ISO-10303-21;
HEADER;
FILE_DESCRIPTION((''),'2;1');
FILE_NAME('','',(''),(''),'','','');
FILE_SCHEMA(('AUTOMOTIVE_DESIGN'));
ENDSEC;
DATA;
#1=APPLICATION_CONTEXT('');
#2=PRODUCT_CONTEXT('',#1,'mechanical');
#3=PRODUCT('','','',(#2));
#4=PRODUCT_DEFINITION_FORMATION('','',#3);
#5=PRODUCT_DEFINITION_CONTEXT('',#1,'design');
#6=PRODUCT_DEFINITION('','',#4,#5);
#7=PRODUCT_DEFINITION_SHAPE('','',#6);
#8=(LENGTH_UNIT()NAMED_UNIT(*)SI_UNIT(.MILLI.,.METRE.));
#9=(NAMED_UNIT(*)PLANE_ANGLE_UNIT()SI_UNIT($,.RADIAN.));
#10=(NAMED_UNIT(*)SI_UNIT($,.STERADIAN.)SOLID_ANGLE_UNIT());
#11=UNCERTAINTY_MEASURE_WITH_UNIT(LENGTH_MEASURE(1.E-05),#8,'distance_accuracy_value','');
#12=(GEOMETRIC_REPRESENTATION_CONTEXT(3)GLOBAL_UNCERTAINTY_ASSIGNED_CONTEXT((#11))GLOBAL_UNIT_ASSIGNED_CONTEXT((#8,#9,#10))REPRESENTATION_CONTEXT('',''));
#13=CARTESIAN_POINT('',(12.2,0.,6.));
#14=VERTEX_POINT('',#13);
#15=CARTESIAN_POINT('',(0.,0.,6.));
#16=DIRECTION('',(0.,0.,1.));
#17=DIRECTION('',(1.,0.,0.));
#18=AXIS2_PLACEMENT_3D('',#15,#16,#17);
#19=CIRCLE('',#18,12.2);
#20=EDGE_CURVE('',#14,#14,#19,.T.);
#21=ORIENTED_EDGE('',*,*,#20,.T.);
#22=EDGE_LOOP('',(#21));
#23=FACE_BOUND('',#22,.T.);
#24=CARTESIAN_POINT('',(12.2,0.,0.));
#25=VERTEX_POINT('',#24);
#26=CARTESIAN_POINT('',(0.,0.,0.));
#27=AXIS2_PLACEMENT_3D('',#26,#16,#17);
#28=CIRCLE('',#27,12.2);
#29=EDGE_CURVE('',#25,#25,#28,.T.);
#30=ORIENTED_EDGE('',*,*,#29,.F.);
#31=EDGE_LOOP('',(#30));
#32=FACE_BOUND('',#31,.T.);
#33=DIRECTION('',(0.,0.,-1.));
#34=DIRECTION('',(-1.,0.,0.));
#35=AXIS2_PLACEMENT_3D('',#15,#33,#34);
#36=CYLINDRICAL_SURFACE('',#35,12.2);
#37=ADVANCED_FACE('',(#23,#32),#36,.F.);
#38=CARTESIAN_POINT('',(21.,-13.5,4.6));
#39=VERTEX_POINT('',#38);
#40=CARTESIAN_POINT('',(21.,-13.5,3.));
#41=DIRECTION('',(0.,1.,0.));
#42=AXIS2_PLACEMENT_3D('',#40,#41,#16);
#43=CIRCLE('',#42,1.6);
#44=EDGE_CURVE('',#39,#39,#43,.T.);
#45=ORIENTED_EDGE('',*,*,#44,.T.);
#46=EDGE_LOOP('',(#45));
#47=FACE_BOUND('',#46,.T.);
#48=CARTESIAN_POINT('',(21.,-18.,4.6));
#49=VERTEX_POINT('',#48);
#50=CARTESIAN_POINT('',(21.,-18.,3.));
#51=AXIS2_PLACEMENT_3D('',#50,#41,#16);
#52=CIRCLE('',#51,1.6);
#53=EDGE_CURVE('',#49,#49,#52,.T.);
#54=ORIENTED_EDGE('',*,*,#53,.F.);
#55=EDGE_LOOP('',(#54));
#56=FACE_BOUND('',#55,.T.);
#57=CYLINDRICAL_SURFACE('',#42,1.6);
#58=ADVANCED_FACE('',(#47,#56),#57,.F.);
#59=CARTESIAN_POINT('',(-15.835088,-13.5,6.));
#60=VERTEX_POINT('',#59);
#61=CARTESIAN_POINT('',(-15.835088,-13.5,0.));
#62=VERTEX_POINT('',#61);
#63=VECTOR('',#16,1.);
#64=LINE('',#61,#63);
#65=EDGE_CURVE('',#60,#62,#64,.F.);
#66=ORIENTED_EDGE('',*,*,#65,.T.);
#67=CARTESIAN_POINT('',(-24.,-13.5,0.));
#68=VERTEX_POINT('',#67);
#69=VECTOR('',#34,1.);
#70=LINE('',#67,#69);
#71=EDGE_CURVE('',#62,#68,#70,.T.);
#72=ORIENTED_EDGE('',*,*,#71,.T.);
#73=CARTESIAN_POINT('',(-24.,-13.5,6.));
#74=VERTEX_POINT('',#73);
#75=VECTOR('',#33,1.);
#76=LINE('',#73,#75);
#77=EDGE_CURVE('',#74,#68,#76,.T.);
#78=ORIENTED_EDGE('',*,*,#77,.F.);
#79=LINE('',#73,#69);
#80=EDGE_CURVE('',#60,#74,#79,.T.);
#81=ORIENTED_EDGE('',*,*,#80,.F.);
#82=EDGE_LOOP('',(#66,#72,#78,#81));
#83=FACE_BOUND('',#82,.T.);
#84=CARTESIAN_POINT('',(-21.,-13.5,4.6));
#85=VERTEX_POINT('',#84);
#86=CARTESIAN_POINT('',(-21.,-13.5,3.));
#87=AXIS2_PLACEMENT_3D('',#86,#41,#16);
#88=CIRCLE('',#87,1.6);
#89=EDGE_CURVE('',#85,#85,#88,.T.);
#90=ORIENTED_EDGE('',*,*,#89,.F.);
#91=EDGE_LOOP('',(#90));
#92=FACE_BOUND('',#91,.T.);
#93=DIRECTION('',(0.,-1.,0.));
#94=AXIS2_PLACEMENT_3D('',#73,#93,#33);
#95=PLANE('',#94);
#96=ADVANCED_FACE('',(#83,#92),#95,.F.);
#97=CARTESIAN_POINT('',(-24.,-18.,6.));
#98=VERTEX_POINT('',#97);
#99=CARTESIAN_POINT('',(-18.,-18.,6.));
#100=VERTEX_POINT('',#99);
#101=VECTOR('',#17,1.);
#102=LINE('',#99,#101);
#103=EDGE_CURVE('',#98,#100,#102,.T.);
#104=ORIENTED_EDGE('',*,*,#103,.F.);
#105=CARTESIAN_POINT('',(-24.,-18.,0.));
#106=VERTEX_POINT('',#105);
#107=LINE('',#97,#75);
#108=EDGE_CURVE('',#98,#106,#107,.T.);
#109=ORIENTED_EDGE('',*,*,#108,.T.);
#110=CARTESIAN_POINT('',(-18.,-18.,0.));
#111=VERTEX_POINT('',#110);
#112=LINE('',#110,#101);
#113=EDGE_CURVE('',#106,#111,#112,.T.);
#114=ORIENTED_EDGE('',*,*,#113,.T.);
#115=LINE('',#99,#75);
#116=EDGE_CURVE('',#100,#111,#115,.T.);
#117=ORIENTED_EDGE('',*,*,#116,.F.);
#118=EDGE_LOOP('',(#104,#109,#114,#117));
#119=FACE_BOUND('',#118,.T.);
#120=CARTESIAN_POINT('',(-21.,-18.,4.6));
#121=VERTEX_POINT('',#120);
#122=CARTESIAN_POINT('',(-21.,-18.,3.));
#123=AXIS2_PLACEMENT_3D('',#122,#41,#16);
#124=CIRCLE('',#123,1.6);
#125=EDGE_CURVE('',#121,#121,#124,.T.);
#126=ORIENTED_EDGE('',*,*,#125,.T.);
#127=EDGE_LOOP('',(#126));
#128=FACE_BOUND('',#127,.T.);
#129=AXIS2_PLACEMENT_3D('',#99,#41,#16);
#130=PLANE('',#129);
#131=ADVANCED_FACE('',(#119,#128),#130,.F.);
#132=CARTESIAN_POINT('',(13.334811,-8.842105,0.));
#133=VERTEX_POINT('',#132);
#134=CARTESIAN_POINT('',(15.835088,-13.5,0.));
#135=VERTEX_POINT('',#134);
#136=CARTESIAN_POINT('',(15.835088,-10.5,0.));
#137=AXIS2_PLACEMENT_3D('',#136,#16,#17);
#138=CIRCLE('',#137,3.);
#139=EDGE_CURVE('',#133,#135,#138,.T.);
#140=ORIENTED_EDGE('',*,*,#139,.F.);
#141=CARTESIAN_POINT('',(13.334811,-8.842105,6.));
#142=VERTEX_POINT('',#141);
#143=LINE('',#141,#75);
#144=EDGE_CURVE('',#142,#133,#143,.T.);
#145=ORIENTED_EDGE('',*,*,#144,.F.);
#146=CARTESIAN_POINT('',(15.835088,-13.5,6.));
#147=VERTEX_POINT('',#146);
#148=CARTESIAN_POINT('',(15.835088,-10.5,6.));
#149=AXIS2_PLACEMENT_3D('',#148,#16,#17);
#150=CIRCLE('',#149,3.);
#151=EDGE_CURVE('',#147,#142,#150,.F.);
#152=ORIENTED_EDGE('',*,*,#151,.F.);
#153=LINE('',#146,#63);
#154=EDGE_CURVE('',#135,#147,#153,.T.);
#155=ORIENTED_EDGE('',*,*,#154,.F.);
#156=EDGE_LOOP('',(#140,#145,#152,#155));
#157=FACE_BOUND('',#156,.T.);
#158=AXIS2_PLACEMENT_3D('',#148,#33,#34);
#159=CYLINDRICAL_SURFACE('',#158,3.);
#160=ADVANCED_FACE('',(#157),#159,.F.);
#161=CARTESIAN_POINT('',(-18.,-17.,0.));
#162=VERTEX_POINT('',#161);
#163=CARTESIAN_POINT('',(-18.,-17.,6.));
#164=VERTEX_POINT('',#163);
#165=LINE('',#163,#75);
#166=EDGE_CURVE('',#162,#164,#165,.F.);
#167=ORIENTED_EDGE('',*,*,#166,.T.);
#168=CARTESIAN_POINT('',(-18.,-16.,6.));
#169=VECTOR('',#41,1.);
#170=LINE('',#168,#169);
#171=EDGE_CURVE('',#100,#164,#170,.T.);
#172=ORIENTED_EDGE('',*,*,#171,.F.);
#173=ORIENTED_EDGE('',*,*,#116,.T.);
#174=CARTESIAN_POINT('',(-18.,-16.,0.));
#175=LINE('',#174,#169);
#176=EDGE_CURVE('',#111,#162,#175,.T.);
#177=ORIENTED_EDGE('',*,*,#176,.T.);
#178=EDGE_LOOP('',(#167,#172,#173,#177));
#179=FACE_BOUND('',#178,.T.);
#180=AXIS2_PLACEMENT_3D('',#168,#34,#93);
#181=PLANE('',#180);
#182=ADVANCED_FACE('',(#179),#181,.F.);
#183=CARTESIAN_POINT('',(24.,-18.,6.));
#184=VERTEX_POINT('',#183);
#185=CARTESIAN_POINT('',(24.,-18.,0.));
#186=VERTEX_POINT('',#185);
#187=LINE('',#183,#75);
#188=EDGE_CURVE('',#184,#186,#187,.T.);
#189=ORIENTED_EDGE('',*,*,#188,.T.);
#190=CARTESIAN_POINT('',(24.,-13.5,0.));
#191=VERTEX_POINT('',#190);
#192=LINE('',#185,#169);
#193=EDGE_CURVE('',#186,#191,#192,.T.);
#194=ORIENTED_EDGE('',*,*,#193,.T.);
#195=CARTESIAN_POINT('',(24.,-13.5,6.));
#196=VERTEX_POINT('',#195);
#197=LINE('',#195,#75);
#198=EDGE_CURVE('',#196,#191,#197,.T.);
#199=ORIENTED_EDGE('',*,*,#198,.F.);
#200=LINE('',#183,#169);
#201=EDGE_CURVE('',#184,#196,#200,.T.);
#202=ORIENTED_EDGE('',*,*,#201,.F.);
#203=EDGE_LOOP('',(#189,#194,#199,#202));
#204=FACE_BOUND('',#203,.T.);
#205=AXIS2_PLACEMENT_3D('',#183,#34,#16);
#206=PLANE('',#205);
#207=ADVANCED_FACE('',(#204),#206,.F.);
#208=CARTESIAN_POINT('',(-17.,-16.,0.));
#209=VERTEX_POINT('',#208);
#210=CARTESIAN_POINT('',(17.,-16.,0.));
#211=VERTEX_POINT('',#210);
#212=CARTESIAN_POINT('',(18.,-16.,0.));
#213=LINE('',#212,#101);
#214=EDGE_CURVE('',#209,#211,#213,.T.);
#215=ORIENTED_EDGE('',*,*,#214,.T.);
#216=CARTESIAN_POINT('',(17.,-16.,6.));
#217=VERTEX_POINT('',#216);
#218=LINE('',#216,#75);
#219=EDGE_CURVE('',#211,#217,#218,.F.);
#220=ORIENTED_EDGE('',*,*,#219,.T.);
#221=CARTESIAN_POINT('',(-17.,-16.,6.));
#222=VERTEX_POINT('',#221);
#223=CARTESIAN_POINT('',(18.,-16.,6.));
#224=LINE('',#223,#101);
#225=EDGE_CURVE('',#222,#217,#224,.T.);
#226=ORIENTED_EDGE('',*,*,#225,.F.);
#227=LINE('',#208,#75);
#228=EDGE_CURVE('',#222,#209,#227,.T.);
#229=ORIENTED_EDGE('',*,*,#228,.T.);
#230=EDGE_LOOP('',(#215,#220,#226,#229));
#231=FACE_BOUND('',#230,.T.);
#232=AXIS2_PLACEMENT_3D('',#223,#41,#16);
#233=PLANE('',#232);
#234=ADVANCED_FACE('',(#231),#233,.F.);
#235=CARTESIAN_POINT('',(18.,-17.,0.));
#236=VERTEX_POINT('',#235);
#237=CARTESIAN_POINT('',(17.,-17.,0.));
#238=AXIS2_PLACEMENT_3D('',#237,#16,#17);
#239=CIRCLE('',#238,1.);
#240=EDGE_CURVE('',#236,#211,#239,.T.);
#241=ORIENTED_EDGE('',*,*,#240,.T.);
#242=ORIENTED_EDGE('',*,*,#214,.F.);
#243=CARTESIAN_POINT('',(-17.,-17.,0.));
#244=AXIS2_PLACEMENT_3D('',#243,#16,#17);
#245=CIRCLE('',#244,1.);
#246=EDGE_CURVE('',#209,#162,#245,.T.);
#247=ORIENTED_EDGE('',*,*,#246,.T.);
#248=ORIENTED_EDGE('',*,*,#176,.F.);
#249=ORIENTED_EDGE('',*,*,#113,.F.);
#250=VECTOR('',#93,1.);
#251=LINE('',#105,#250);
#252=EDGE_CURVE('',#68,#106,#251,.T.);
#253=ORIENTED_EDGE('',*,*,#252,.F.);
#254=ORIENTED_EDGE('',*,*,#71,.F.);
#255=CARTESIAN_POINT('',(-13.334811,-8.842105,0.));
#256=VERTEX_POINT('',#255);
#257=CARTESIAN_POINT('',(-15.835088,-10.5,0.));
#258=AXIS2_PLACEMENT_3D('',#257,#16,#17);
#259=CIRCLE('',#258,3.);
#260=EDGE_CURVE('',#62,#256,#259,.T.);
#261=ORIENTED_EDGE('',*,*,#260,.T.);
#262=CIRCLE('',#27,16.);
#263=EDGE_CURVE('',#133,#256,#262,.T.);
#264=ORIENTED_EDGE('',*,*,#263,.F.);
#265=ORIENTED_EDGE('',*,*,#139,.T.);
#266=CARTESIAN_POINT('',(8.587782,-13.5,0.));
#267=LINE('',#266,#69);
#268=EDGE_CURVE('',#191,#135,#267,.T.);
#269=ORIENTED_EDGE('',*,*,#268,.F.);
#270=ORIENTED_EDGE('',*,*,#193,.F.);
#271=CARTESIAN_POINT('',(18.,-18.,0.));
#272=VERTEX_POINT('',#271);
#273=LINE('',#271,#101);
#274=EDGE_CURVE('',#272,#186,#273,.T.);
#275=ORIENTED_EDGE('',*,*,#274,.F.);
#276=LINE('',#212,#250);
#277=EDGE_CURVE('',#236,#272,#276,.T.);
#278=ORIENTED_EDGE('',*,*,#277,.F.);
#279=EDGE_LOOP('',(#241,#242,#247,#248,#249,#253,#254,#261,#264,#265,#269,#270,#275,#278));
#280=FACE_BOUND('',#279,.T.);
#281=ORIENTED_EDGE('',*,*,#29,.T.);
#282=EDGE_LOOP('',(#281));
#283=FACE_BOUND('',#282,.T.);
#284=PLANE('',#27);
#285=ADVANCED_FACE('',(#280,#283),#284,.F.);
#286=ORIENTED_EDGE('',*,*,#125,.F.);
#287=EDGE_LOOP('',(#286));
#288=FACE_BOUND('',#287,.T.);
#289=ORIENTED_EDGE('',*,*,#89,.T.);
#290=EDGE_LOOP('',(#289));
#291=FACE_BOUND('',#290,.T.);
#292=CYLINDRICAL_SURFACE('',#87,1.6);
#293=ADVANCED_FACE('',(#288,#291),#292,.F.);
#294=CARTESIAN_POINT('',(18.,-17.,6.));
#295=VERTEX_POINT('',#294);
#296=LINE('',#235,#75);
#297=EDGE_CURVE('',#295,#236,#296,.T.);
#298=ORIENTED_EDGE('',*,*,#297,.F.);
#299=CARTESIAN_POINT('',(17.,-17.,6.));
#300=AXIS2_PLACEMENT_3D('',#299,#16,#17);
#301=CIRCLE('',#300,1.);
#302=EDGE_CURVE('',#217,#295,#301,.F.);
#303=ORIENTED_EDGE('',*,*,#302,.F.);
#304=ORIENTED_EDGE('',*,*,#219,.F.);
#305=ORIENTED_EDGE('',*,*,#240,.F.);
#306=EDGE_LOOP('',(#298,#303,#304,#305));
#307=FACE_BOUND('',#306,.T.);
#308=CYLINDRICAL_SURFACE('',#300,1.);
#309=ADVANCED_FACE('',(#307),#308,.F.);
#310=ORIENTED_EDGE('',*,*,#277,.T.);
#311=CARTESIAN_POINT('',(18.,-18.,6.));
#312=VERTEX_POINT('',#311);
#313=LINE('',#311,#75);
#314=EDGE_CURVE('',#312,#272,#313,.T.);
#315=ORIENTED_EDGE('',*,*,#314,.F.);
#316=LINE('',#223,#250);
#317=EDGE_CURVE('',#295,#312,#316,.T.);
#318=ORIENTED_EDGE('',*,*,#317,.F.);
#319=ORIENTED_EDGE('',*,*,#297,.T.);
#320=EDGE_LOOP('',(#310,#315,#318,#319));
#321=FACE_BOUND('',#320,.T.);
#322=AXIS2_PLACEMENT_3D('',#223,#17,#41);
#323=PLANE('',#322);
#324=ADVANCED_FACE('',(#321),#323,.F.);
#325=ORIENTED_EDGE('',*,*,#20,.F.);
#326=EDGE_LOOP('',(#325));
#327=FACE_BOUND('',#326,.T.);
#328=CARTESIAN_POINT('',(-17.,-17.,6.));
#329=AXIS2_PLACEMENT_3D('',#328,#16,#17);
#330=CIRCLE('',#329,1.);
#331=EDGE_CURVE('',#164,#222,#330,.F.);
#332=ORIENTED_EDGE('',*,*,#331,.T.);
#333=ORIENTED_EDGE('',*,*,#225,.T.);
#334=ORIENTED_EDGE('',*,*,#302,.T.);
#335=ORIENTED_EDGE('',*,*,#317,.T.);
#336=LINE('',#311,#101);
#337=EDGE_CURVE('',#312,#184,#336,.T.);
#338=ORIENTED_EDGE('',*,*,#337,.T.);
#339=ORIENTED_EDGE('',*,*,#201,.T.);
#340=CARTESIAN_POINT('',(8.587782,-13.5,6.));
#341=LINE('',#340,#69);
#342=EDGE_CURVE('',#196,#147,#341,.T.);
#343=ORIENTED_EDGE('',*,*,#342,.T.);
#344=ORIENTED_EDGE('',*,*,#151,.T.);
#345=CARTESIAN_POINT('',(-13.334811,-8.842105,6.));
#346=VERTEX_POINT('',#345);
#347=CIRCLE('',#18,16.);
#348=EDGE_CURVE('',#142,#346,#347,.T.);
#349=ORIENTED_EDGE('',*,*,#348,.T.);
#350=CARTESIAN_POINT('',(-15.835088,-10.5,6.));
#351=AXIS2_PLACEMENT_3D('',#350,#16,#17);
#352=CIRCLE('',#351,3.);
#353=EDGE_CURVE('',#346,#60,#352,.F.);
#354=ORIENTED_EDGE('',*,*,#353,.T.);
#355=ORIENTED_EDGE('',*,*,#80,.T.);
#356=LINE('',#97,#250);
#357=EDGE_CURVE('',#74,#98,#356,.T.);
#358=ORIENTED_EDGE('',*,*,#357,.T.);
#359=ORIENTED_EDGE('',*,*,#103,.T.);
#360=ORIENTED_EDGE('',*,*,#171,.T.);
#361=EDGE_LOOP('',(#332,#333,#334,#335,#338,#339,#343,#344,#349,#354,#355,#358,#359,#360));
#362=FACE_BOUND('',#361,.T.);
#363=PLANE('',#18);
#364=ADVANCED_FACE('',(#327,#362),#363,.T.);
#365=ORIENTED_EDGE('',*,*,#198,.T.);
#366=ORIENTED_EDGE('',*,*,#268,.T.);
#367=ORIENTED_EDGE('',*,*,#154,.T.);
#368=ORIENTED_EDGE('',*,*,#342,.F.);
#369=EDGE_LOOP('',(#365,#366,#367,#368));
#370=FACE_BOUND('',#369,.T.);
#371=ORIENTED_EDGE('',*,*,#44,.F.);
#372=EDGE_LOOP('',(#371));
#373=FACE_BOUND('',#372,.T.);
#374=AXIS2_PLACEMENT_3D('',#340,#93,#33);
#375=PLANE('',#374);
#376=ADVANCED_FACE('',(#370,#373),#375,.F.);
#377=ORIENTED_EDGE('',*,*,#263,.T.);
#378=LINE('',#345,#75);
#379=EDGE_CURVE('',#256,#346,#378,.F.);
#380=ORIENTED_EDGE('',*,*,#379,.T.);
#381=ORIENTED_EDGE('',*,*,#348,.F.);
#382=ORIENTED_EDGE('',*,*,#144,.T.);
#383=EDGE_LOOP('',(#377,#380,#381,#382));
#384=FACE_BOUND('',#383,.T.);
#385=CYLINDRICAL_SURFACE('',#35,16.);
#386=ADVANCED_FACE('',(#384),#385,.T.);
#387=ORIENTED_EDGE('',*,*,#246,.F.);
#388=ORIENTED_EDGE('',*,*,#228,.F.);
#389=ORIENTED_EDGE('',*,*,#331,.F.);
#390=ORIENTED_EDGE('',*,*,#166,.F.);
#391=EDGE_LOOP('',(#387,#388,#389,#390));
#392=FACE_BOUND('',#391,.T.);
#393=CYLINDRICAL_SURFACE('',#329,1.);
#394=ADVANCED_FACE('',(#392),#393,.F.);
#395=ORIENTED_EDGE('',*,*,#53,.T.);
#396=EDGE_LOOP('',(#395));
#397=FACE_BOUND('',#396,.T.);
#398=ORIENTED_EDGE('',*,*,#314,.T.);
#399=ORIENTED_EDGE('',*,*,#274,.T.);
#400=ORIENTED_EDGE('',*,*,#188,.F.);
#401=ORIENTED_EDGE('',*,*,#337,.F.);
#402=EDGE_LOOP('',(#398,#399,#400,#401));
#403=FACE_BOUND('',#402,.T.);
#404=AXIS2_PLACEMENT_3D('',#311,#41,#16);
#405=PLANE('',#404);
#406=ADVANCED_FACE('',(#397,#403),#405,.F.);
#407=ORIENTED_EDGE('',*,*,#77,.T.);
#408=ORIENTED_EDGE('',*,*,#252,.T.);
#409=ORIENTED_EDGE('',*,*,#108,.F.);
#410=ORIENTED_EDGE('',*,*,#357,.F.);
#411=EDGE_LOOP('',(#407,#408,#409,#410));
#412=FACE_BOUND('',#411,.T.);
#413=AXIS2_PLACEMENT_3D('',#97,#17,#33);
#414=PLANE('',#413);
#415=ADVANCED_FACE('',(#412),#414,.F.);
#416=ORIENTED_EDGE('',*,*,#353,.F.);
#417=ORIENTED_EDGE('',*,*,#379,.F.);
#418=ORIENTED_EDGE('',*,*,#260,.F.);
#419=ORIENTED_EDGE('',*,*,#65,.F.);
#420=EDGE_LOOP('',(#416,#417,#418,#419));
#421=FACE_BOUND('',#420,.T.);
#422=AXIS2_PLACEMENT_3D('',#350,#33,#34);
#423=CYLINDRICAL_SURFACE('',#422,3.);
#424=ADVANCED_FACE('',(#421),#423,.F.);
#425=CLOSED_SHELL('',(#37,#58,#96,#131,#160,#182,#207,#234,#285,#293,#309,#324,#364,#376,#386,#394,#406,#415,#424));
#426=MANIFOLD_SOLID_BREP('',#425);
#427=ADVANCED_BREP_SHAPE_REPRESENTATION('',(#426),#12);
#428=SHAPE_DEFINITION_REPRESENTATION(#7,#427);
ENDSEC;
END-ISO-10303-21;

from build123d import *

# Parameters (mm, degrees)
SKETCH1_R             = 12.2
BOSS_EXTRUDE1_DEPTH   = 6
FILLET1_R             = 3
FILLET2_R             = 1
F_3_0MM_DOWEL_HOLE1_D = 3.2


with BuildPart() as part:
    # Sketch1 → Boss-Extrude1 (new body)
    with BuildSketch(Plane.XY):
        with BuildLine():
            Line((18, -16), (-18, -16))
            Line((-18, -16), (-18, -18))
            Line((-18, -18), (-24, -18))
            Line((-24, -18), (-24, -13.5))
            Line((-24, -13.5), (-8.587782019, -13.5))
            ThreePointArc((-8.587782019, -13.5), (0, 16), (8.587782019, -13.5))
            Line((8.587782019, -13.5), (24, -13.5))
            Line((24, -13.5), (24, -18))
            Line((24, -18), (18, -18))
            Line((18, -18), (18, -16))
        make_face()
        Circle(SKETCH1_R, mode=Mode.SUBTRACT)
    extrude(amount=BOSS_EXTRUDE1_DEPTH)

    # Fillet1
    fillet1_edges = [part.edges().sort_by_distance(p)[0] for p in [
        (-8.587782019, -13.5, 3),
        (8.587782019, -13.5, 3),
    ]]
    fillet(fillet1_edges, radius=FILLET1_R)

    # Fillet2
    fillet2_edges = [part.edges().sort_by_distance(p)[0] for p in [
        (18, -16, 3),
        (-18, -16, 3),
    ]]
    fillet(fillet2_edges, radius=FILLET2_R)

    # Ø3.0mm Dowel Hole1 (through all)
    with Locations(Plane(origin=(0, -13.5, 0), x_dir=(1, 0, 0), z_dir=(0, 1, 0))):
        with Locations((-21, -3), (21, -3)):
            Hole(F_3_0MM_DOWEL_HOLE1_D / 2)


solid = part.part
